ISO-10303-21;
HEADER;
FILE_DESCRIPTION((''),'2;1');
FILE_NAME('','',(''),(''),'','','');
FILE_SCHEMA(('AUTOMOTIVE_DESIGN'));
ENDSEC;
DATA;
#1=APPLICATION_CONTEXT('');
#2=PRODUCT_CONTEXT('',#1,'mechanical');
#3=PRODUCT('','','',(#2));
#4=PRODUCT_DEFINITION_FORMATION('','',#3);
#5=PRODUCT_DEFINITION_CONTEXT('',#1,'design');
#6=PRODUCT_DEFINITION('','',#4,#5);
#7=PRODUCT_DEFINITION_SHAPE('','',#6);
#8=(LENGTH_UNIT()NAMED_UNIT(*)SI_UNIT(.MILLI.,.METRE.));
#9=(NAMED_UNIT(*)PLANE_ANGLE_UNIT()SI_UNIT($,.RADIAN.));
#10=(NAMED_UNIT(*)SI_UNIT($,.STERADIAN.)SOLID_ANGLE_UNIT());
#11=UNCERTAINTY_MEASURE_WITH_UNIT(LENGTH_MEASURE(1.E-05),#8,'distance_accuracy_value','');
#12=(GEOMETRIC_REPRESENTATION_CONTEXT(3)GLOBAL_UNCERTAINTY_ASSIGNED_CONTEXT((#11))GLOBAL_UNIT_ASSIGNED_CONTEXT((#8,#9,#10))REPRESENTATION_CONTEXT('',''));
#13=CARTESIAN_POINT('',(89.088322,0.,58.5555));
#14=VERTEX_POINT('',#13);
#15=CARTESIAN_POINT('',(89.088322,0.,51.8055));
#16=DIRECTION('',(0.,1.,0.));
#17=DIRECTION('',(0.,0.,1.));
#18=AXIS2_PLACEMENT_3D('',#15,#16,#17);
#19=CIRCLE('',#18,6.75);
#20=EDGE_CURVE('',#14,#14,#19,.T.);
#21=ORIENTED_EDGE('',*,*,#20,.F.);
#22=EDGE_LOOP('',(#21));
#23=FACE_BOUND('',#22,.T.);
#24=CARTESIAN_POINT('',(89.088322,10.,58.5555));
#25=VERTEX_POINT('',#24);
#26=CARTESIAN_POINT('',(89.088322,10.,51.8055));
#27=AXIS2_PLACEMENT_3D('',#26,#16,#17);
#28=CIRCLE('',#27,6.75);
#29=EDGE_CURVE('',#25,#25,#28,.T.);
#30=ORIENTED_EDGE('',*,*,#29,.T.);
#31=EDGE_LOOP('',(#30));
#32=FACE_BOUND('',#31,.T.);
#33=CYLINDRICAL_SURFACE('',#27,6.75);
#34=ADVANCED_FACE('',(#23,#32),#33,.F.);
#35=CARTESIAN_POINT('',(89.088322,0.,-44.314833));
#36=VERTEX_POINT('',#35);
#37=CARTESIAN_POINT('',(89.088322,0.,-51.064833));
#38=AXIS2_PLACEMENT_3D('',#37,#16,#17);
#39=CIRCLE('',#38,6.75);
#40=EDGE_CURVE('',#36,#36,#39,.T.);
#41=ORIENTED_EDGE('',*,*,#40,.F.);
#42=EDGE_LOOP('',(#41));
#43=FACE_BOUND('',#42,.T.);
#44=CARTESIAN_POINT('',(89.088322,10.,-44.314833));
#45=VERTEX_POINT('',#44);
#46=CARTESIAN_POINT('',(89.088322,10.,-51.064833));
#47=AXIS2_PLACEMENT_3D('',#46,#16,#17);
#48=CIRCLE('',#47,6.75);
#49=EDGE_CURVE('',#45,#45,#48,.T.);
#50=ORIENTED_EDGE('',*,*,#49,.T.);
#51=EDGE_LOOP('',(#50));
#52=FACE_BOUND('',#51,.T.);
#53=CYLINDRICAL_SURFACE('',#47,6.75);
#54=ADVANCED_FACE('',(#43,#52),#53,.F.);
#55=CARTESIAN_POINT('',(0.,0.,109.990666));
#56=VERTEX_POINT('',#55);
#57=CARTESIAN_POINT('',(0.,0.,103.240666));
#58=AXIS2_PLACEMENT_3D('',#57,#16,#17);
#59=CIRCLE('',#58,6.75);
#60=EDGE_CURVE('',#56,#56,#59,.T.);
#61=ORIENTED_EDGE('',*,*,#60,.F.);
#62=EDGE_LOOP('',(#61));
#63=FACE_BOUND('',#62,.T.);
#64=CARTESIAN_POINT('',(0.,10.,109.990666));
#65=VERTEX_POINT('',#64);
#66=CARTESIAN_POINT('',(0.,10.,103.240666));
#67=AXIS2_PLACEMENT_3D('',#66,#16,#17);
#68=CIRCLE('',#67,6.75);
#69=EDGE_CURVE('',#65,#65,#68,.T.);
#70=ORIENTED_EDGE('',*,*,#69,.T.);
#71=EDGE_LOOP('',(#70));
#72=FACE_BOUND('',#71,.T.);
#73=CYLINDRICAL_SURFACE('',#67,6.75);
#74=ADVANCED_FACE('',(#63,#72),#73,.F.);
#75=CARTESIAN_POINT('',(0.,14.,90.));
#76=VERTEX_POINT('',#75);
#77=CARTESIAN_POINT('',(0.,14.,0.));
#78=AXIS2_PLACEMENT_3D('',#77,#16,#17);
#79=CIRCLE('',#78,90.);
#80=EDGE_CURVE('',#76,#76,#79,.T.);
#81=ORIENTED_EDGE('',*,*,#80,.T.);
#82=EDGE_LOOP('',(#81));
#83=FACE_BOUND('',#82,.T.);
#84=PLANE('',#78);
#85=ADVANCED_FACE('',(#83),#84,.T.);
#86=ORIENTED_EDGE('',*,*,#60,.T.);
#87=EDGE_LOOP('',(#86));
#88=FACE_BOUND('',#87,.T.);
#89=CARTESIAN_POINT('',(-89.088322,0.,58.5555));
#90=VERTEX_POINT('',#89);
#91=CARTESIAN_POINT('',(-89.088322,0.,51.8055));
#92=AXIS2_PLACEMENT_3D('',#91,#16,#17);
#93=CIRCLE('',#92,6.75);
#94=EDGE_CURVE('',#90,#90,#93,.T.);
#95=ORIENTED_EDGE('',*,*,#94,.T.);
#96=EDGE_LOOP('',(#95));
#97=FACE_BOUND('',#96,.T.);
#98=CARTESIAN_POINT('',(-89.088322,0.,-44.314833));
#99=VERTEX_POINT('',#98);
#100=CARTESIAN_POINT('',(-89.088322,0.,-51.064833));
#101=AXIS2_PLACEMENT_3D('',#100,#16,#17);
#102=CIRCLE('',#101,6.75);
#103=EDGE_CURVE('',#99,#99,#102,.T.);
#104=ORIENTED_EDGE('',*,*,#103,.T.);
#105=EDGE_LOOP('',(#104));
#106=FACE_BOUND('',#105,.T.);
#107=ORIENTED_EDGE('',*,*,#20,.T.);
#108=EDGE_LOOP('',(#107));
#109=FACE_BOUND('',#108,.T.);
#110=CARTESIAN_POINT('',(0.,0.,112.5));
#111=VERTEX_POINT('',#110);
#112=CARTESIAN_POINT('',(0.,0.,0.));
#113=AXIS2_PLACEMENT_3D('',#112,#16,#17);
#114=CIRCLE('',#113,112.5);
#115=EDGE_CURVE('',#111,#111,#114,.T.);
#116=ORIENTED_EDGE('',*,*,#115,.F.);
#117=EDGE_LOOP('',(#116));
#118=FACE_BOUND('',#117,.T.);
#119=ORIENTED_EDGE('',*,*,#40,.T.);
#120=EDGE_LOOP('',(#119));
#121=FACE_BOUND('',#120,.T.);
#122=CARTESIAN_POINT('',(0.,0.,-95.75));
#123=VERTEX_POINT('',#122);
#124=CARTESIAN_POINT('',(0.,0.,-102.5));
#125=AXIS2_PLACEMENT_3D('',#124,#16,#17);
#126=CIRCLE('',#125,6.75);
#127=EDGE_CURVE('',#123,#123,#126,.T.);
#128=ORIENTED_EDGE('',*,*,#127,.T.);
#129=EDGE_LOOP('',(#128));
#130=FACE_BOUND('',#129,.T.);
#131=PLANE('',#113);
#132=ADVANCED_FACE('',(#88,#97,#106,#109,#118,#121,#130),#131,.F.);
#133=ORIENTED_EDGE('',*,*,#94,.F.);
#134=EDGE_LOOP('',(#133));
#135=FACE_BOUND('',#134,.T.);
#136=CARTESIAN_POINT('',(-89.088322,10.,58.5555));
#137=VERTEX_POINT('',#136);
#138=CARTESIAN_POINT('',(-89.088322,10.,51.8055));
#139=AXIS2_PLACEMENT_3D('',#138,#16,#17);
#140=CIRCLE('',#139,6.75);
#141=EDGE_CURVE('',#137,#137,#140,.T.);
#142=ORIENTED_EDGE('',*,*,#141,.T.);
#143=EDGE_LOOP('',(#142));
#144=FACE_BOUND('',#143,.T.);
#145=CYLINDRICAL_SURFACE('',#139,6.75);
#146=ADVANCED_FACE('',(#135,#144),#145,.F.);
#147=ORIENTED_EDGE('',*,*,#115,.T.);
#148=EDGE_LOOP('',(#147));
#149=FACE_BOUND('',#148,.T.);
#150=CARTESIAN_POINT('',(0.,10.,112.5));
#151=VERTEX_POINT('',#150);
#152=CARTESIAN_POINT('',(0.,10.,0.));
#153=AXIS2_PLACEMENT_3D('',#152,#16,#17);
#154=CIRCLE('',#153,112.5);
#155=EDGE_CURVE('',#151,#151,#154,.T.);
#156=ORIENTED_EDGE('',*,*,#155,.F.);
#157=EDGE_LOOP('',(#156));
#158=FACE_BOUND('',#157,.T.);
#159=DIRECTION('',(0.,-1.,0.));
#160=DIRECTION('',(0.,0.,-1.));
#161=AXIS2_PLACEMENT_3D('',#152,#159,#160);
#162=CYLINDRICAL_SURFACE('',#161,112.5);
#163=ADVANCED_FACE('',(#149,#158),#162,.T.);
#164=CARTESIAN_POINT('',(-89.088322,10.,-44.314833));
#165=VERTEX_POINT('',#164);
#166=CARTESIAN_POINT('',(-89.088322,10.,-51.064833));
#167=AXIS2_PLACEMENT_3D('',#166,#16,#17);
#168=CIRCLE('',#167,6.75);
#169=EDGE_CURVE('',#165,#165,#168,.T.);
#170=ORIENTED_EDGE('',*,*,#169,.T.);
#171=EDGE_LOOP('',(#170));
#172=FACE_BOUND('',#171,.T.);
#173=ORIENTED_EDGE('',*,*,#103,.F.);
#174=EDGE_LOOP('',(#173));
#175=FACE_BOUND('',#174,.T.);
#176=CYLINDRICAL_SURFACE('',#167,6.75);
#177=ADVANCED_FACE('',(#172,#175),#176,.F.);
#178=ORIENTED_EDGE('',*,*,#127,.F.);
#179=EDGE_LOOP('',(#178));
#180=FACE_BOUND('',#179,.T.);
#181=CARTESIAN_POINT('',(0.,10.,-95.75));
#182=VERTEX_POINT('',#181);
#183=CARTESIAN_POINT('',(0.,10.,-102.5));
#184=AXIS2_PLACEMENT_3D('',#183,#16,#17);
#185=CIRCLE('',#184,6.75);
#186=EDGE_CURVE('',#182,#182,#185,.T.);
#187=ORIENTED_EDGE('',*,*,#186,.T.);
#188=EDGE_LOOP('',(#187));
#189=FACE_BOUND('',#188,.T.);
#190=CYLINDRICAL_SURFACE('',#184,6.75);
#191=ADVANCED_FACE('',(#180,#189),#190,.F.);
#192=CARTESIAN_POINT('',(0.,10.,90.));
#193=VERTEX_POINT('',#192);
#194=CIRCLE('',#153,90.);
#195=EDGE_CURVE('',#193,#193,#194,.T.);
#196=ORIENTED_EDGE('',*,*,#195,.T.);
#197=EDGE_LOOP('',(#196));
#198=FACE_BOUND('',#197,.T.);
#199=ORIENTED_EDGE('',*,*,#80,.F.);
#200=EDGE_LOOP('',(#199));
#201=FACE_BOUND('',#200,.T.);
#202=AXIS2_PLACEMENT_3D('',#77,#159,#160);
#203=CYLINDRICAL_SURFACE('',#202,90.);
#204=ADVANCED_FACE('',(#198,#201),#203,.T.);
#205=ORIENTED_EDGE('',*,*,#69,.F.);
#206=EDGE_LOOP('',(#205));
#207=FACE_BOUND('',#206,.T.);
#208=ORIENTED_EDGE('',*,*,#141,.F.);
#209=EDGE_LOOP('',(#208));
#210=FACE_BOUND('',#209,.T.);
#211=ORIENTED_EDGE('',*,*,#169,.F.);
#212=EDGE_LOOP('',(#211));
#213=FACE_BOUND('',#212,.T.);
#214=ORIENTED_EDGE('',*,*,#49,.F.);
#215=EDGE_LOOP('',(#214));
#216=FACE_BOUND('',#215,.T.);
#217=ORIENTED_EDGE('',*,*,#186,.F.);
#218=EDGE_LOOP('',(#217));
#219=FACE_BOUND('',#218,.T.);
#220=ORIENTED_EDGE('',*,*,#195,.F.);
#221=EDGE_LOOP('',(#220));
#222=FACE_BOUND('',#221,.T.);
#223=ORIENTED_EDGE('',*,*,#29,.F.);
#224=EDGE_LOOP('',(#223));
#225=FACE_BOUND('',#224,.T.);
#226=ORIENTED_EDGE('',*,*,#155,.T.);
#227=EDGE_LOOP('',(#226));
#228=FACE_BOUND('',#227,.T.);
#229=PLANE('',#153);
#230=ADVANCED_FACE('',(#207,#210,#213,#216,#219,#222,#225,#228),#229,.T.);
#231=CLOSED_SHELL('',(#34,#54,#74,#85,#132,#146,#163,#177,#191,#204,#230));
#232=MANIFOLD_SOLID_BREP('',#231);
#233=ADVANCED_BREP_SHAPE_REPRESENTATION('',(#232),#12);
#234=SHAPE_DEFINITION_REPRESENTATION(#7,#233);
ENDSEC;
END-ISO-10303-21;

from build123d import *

# Parameters (mm, degrees)
CROQUIS1_R              = 112.5
SALIENTE_EXTRUIR1_DEPTH = 10
MATRIZC1_COUNT          = 6
CROQUIS6_R              = 90
SALIENTE_EXTRUIR2_DEPTH = 4


with BuildPart() as part:
    # Croquis1 → Saliente-Extruir1 (new body)
    with BuildSketch(Plane(origin=(0, 0, 0), x_dir=(1, 0, 0), z_dir=(0, 1, 0))):
        with Locations(Location((0, 0, 0), (0, 0, 270))):
            Circle(CROQUIS1_R)
    extrude(amount=SALIENTE_EXTRUIR1_DEPTH)

    # Croquis5 → Taladro de margen para M121 (revolve, cut)
    with BuildSketch(Plane(origin=(0, 10, -102.5), x_dir=(0, 0, 1), z_dir=(1, 0, 0))):
        Polygon((0, 0), (0, 47.555809178), (6.75, 43.5), (6.75, 0), align=None)
    taladro_de_margen_para_m121 = revolve(axis=Axis((0, 16.35, -102.5), (0, -1, 0)), mode=Mode.SUBTRACT)

    # MatrizC1: Taladro de margen para M121 ×6 about axis
    matrizc1_axis = Axis((0, 0, 0.3703332), (0, 1, 0))
    for i in range(1, MATRIZC1_COUNT):
        add(taladro_de_margen_para_m121.rotate(matrizc1_axis, i * 360 / MATRIZC1_COUNT), mode=Mode.SUBTRACT)

    # Croquis6 → Saliente-Extruir2 (add)
    with BuildSketch(Plane(origin=(0, 10, 0), x_dir=(1, 0, 0), z_dir=(0, 1, 0))):
        with Locations(Location((0, 0, 0), (0, 0, 270))):
            Circle(CROQUIS6_R)
    extrude(amount=SALIENTE_EXTRUIR2_DEPTH)


solid = part.part
